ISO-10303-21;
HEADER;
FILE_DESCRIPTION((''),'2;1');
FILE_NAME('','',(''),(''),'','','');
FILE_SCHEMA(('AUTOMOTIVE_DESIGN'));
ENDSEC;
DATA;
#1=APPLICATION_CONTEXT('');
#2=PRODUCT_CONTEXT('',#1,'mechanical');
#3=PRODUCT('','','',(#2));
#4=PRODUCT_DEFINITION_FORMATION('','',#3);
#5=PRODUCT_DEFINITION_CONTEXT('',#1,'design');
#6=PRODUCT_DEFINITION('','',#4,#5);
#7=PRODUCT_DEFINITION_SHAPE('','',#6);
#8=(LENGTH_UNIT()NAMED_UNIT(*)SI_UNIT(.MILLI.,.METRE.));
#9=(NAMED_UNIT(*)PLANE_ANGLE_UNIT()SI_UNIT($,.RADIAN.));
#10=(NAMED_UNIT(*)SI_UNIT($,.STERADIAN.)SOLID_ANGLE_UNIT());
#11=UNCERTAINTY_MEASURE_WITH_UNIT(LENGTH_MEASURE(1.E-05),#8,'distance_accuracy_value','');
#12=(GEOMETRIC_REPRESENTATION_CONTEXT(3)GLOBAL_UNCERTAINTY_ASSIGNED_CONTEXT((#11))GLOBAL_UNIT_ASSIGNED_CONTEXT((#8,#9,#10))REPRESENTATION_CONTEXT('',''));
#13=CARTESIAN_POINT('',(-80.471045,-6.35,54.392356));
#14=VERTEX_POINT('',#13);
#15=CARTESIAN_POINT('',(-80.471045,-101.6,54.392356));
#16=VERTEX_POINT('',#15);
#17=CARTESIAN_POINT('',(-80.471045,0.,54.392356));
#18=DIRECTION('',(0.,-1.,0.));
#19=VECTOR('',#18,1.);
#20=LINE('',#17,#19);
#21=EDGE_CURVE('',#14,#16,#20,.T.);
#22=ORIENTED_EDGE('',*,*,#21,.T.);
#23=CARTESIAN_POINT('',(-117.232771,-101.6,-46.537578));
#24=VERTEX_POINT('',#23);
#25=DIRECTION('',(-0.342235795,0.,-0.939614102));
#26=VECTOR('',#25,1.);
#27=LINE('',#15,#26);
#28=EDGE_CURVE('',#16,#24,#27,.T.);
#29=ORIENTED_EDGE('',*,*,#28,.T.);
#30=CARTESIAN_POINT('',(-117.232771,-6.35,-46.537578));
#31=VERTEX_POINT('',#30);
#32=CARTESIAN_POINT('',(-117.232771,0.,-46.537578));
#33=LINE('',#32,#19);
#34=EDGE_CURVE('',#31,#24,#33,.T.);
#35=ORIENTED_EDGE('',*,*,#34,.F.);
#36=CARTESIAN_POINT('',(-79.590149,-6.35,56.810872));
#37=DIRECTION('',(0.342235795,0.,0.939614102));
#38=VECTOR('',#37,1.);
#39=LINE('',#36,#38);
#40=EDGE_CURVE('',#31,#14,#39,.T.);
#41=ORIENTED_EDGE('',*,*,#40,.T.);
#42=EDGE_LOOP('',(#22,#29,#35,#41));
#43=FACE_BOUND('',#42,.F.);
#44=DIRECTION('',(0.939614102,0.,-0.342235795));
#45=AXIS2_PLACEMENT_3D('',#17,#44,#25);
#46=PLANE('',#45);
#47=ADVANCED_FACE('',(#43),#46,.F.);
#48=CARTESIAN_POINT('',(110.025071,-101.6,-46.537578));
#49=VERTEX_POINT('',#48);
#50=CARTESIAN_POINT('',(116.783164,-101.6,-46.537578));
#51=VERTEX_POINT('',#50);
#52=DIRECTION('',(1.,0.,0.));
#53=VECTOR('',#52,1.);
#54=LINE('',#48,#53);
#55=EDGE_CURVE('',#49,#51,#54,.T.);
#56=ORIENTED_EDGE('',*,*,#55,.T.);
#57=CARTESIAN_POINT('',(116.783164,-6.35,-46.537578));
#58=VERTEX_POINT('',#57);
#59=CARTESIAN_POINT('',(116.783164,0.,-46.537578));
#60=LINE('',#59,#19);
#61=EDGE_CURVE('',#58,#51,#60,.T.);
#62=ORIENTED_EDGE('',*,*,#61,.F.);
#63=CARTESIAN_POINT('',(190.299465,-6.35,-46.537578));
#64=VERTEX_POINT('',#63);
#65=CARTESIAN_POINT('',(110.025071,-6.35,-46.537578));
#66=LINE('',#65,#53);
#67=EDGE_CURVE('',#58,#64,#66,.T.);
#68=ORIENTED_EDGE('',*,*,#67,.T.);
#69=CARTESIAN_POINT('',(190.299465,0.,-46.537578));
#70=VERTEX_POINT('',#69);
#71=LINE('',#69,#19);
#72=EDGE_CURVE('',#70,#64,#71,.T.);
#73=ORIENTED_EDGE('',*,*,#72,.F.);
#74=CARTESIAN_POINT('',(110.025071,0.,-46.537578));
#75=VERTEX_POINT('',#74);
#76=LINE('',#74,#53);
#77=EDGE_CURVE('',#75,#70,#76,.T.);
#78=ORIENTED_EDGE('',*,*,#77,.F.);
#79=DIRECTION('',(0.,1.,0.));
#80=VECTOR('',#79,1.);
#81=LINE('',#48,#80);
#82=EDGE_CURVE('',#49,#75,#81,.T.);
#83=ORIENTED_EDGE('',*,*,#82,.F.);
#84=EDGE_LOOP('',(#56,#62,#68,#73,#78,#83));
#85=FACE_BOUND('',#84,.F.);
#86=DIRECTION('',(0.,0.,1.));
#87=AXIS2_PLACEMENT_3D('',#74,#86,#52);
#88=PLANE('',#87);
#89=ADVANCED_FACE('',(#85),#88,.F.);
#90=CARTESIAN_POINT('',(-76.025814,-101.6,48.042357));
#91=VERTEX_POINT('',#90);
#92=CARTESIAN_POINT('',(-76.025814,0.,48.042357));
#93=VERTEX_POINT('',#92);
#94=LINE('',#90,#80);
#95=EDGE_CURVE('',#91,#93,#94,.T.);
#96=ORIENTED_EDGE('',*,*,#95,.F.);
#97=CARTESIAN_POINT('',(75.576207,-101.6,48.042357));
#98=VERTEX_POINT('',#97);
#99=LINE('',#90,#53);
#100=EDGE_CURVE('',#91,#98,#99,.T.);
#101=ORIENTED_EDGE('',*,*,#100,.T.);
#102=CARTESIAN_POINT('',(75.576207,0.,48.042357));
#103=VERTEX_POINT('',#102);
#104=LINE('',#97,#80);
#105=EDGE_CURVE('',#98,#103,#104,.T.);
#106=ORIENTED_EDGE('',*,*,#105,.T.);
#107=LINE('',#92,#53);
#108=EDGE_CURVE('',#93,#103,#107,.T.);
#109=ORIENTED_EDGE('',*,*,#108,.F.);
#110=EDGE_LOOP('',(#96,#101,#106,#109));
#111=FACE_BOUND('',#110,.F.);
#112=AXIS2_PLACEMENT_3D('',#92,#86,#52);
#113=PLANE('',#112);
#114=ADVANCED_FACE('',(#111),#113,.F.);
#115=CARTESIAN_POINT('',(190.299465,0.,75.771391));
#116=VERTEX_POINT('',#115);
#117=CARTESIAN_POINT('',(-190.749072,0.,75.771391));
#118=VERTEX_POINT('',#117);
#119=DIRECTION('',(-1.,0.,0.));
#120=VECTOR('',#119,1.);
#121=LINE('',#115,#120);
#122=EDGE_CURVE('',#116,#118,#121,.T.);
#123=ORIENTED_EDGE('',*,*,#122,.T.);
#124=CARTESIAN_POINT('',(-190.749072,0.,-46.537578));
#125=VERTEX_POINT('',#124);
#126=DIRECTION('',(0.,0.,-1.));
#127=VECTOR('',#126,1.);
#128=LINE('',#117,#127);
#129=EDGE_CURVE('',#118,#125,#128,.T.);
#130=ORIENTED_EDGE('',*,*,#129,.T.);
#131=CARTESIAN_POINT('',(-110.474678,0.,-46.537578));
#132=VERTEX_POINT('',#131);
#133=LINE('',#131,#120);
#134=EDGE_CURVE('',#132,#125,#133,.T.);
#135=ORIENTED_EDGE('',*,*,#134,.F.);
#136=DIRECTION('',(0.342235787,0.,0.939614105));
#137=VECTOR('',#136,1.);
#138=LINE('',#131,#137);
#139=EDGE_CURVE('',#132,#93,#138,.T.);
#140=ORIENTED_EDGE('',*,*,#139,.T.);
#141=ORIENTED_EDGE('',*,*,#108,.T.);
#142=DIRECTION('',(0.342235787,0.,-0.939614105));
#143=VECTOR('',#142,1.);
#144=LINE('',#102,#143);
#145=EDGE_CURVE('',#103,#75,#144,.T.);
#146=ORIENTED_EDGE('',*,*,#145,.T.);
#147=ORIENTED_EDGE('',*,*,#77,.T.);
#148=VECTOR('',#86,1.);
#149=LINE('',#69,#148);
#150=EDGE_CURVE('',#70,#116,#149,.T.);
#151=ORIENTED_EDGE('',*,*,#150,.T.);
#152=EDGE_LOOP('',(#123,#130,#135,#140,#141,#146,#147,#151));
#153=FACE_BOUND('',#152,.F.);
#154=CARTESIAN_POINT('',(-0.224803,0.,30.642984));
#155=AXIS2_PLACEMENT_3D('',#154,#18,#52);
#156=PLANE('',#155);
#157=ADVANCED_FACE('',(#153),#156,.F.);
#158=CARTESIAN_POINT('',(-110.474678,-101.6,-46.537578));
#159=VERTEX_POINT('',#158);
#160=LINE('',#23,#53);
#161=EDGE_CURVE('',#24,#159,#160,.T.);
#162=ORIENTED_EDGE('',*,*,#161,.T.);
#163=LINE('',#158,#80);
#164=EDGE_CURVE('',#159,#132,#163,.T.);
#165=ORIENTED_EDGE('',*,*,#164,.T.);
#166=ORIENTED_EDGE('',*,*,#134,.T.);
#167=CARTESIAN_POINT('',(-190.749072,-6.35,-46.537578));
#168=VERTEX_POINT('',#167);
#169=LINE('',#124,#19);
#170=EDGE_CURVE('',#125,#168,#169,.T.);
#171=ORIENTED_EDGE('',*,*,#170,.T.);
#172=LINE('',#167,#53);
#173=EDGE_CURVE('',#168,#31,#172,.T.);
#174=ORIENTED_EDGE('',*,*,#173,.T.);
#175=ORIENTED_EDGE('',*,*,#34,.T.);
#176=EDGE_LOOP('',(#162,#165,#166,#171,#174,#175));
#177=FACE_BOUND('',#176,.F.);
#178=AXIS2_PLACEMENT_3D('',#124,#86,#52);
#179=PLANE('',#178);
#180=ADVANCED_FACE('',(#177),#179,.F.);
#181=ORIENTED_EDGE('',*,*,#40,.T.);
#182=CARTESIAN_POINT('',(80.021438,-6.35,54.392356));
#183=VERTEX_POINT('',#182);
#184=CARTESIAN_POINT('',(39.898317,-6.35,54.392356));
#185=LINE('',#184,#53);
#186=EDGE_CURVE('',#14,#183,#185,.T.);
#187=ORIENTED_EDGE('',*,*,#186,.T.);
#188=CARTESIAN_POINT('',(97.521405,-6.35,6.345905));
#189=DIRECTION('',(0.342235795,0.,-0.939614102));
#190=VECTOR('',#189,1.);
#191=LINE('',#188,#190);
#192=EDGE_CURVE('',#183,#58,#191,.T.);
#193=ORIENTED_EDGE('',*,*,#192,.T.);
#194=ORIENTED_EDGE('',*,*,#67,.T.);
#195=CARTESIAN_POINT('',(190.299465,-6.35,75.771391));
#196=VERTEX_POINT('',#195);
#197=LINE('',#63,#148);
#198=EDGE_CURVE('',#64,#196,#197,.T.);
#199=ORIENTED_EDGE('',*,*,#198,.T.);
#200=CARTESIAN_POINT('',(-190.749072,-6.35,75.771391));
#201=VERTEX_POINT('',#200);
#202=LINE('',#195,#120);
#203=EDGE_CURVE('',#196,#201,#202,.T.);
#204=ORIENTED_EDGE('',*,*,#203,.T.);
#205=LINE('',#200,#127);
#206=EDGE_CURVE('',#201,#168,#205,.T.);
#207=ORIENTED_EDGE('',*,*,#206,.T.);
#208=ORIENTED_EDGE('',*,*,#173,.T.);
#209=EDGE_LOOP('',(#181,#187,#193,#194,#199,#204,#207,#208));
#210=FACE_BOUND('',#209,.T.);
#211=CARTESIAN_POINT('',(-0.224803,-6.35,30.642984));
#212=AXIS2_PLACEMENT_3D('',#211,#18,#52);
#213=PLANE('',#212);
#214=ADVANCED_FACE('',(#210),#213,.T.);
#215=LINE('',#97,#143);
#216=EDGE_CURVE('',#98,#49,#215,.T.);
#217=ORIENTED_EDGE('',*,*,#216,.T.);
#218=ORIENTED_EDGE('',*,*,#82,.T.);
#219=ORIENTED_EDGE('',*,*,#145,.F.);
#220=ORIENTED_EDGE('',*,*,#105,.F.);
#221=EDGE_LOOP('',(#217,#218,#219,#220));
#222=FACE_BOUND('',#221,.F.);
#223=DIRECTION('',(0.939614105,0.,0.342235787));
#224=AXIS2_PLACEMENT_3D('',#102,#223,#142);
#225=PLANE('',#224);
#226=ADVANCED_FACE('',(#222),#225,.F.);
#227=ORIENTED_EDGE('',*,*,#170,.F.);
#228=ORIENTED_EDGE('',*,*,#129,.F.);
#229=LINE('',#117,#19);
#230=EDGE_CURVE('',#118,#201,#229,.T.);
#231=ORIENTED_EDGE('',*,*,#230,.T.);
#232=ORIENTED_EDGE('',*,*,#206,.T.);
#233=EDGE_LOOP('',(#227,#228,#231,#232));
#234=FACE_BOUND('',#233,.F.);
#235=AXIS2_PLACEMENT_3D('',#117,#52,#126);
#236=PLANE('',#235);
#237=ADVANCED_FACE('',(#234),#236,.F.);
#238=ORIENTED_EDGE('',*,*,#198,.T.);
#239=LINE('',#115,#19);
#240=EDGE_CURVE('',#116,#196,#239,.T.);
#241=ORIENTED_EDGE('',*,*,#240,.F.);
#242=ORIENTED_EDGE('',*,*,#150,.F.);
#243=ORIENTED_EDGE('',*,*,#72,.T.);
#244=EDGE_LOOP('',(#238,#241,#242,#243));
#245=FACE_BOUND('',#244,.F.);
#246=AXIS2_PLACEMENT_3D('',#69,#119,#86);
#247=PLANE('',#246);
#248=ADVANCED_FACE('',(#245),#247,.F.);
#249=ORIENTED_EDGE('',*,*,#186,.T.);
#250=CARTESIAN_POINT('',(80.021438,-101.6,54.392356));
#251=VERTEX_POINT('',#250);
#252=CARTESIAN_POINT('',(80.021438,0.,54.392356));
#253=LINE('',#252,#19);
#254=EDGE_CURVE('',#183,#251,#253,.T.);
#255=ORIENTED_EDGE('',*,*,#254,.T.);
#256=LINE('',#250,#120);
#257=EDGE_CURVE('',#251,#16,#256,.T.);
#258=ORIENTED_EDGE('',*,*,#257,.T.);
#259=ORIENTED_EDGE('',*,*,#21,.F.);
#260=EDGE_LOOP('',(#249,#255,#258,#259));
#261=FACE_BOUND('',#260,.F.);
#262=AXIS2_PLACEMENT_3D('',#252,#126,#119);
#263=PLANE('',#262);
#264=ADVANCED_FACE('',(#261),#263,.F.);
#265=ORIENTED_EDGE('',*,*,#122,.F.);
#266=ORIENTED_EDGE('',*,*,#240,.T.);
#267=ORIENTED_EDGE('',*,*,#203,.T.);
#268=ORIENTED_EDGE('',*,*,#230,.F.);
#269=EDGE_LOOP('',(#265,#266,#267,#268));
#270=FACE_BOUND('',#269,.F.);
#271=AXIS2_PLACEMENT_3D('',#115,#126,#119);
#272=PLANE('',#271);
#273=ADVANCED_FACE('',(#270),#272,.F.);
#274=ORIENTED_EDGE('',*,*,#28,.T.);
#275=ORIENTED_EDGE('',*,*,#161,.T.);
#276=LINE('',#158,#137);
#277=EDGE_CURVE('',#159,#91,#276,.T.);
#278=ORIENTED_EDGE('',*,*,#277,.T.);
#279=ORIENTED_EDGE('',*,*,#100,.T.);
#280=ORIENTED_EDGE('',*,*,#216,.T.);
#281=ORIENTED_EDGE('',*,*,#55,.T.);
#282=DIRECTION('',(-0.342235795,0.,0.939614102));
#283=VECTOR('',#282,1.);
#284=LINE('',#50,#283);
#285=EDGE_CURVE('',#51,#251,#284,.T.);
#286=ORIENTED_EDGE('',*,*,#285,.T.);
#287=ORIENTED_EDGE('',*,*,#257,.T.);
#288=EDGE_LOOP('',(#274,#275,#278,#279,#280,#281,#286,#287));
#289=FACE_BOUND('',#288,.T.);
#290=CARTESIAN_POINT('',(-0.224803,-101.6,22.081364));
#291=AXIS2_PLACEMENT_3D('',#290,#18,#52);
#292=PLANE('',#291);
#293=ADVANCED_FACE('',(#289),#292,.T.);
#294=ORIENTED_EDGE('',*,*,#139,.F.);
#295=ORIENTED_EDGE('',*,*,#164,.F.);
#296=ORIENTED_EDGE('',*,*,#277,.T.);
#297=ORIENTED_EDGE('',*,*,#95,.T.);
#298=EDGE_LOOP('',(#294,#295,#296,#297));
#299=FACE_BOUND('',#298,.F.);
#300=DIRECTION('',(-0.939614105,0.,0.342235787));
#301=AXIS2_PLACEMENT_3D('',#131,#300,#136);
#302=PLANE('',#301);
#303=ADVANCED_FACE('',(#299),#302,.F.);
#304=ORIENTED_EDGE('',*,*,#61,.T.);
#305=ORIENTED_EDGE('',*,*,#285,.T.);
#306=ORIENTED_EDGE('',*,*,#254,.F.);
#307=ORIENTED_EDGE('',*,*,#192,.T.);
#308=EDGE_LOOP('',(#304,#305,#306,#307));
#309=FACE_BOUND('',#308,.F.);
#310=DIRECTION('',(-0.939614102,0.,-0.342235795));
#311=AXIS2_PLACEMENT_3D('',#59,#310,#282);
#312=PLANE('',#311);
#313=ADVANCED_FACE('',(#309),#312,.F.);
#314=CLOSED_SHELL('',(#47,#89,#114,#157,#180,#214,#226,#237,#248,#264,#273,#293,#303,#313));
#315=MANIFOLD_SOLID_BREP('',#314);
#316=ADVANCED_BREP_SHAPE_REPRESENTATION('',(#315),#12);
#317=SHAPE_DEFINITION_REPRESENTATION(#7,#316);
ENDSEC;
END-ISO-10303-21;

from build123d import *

# Parameters (mm, degrees)
F1_DEPTH = 6.35
F2_DEPTH = 101.6


with BuildPart() as f1:
    # F0 (on Front) → F1 (new body)
    with BuildSketch(Plane.XZ):
        Polygon((116.783164, -46.537578), (190.299465, -46.537578), (190.299465, 75.771391), (-190.749072, 75.771391), (-190.749072, -46.537578), (-117.232771, -46.537578), (-80.471045, 54.392356), (80.021438, 54.392356), align=None)
        Polygon((110.025071, -46.537578), (116.783164, -46.537578), (80.021438, 54.392356), (-80.471045, 54.392356), (-117.232771, -46.537578), (-110.474678, -46.537578), (-76.025814, 48.042357), (75.576207, 48.042357), align=None)
    extrude(amount=F1_DEPTH)

    # F0 (on Front) → F2 (join)
    with BuildSketch(Plane.XZ):
        Polygon((110.025071, -46.537578), (116.783164, -46.537578), (80.021438, 54.392356), (-80.471045, 54.392356), (-117.232771, -46.537578), (-110.474678, -46.537578), (-76.025814, 48.042357), (75.576207, 48.042357), align=None)
    extrude(amount=F2_DEPTH)


solid = f1.part
